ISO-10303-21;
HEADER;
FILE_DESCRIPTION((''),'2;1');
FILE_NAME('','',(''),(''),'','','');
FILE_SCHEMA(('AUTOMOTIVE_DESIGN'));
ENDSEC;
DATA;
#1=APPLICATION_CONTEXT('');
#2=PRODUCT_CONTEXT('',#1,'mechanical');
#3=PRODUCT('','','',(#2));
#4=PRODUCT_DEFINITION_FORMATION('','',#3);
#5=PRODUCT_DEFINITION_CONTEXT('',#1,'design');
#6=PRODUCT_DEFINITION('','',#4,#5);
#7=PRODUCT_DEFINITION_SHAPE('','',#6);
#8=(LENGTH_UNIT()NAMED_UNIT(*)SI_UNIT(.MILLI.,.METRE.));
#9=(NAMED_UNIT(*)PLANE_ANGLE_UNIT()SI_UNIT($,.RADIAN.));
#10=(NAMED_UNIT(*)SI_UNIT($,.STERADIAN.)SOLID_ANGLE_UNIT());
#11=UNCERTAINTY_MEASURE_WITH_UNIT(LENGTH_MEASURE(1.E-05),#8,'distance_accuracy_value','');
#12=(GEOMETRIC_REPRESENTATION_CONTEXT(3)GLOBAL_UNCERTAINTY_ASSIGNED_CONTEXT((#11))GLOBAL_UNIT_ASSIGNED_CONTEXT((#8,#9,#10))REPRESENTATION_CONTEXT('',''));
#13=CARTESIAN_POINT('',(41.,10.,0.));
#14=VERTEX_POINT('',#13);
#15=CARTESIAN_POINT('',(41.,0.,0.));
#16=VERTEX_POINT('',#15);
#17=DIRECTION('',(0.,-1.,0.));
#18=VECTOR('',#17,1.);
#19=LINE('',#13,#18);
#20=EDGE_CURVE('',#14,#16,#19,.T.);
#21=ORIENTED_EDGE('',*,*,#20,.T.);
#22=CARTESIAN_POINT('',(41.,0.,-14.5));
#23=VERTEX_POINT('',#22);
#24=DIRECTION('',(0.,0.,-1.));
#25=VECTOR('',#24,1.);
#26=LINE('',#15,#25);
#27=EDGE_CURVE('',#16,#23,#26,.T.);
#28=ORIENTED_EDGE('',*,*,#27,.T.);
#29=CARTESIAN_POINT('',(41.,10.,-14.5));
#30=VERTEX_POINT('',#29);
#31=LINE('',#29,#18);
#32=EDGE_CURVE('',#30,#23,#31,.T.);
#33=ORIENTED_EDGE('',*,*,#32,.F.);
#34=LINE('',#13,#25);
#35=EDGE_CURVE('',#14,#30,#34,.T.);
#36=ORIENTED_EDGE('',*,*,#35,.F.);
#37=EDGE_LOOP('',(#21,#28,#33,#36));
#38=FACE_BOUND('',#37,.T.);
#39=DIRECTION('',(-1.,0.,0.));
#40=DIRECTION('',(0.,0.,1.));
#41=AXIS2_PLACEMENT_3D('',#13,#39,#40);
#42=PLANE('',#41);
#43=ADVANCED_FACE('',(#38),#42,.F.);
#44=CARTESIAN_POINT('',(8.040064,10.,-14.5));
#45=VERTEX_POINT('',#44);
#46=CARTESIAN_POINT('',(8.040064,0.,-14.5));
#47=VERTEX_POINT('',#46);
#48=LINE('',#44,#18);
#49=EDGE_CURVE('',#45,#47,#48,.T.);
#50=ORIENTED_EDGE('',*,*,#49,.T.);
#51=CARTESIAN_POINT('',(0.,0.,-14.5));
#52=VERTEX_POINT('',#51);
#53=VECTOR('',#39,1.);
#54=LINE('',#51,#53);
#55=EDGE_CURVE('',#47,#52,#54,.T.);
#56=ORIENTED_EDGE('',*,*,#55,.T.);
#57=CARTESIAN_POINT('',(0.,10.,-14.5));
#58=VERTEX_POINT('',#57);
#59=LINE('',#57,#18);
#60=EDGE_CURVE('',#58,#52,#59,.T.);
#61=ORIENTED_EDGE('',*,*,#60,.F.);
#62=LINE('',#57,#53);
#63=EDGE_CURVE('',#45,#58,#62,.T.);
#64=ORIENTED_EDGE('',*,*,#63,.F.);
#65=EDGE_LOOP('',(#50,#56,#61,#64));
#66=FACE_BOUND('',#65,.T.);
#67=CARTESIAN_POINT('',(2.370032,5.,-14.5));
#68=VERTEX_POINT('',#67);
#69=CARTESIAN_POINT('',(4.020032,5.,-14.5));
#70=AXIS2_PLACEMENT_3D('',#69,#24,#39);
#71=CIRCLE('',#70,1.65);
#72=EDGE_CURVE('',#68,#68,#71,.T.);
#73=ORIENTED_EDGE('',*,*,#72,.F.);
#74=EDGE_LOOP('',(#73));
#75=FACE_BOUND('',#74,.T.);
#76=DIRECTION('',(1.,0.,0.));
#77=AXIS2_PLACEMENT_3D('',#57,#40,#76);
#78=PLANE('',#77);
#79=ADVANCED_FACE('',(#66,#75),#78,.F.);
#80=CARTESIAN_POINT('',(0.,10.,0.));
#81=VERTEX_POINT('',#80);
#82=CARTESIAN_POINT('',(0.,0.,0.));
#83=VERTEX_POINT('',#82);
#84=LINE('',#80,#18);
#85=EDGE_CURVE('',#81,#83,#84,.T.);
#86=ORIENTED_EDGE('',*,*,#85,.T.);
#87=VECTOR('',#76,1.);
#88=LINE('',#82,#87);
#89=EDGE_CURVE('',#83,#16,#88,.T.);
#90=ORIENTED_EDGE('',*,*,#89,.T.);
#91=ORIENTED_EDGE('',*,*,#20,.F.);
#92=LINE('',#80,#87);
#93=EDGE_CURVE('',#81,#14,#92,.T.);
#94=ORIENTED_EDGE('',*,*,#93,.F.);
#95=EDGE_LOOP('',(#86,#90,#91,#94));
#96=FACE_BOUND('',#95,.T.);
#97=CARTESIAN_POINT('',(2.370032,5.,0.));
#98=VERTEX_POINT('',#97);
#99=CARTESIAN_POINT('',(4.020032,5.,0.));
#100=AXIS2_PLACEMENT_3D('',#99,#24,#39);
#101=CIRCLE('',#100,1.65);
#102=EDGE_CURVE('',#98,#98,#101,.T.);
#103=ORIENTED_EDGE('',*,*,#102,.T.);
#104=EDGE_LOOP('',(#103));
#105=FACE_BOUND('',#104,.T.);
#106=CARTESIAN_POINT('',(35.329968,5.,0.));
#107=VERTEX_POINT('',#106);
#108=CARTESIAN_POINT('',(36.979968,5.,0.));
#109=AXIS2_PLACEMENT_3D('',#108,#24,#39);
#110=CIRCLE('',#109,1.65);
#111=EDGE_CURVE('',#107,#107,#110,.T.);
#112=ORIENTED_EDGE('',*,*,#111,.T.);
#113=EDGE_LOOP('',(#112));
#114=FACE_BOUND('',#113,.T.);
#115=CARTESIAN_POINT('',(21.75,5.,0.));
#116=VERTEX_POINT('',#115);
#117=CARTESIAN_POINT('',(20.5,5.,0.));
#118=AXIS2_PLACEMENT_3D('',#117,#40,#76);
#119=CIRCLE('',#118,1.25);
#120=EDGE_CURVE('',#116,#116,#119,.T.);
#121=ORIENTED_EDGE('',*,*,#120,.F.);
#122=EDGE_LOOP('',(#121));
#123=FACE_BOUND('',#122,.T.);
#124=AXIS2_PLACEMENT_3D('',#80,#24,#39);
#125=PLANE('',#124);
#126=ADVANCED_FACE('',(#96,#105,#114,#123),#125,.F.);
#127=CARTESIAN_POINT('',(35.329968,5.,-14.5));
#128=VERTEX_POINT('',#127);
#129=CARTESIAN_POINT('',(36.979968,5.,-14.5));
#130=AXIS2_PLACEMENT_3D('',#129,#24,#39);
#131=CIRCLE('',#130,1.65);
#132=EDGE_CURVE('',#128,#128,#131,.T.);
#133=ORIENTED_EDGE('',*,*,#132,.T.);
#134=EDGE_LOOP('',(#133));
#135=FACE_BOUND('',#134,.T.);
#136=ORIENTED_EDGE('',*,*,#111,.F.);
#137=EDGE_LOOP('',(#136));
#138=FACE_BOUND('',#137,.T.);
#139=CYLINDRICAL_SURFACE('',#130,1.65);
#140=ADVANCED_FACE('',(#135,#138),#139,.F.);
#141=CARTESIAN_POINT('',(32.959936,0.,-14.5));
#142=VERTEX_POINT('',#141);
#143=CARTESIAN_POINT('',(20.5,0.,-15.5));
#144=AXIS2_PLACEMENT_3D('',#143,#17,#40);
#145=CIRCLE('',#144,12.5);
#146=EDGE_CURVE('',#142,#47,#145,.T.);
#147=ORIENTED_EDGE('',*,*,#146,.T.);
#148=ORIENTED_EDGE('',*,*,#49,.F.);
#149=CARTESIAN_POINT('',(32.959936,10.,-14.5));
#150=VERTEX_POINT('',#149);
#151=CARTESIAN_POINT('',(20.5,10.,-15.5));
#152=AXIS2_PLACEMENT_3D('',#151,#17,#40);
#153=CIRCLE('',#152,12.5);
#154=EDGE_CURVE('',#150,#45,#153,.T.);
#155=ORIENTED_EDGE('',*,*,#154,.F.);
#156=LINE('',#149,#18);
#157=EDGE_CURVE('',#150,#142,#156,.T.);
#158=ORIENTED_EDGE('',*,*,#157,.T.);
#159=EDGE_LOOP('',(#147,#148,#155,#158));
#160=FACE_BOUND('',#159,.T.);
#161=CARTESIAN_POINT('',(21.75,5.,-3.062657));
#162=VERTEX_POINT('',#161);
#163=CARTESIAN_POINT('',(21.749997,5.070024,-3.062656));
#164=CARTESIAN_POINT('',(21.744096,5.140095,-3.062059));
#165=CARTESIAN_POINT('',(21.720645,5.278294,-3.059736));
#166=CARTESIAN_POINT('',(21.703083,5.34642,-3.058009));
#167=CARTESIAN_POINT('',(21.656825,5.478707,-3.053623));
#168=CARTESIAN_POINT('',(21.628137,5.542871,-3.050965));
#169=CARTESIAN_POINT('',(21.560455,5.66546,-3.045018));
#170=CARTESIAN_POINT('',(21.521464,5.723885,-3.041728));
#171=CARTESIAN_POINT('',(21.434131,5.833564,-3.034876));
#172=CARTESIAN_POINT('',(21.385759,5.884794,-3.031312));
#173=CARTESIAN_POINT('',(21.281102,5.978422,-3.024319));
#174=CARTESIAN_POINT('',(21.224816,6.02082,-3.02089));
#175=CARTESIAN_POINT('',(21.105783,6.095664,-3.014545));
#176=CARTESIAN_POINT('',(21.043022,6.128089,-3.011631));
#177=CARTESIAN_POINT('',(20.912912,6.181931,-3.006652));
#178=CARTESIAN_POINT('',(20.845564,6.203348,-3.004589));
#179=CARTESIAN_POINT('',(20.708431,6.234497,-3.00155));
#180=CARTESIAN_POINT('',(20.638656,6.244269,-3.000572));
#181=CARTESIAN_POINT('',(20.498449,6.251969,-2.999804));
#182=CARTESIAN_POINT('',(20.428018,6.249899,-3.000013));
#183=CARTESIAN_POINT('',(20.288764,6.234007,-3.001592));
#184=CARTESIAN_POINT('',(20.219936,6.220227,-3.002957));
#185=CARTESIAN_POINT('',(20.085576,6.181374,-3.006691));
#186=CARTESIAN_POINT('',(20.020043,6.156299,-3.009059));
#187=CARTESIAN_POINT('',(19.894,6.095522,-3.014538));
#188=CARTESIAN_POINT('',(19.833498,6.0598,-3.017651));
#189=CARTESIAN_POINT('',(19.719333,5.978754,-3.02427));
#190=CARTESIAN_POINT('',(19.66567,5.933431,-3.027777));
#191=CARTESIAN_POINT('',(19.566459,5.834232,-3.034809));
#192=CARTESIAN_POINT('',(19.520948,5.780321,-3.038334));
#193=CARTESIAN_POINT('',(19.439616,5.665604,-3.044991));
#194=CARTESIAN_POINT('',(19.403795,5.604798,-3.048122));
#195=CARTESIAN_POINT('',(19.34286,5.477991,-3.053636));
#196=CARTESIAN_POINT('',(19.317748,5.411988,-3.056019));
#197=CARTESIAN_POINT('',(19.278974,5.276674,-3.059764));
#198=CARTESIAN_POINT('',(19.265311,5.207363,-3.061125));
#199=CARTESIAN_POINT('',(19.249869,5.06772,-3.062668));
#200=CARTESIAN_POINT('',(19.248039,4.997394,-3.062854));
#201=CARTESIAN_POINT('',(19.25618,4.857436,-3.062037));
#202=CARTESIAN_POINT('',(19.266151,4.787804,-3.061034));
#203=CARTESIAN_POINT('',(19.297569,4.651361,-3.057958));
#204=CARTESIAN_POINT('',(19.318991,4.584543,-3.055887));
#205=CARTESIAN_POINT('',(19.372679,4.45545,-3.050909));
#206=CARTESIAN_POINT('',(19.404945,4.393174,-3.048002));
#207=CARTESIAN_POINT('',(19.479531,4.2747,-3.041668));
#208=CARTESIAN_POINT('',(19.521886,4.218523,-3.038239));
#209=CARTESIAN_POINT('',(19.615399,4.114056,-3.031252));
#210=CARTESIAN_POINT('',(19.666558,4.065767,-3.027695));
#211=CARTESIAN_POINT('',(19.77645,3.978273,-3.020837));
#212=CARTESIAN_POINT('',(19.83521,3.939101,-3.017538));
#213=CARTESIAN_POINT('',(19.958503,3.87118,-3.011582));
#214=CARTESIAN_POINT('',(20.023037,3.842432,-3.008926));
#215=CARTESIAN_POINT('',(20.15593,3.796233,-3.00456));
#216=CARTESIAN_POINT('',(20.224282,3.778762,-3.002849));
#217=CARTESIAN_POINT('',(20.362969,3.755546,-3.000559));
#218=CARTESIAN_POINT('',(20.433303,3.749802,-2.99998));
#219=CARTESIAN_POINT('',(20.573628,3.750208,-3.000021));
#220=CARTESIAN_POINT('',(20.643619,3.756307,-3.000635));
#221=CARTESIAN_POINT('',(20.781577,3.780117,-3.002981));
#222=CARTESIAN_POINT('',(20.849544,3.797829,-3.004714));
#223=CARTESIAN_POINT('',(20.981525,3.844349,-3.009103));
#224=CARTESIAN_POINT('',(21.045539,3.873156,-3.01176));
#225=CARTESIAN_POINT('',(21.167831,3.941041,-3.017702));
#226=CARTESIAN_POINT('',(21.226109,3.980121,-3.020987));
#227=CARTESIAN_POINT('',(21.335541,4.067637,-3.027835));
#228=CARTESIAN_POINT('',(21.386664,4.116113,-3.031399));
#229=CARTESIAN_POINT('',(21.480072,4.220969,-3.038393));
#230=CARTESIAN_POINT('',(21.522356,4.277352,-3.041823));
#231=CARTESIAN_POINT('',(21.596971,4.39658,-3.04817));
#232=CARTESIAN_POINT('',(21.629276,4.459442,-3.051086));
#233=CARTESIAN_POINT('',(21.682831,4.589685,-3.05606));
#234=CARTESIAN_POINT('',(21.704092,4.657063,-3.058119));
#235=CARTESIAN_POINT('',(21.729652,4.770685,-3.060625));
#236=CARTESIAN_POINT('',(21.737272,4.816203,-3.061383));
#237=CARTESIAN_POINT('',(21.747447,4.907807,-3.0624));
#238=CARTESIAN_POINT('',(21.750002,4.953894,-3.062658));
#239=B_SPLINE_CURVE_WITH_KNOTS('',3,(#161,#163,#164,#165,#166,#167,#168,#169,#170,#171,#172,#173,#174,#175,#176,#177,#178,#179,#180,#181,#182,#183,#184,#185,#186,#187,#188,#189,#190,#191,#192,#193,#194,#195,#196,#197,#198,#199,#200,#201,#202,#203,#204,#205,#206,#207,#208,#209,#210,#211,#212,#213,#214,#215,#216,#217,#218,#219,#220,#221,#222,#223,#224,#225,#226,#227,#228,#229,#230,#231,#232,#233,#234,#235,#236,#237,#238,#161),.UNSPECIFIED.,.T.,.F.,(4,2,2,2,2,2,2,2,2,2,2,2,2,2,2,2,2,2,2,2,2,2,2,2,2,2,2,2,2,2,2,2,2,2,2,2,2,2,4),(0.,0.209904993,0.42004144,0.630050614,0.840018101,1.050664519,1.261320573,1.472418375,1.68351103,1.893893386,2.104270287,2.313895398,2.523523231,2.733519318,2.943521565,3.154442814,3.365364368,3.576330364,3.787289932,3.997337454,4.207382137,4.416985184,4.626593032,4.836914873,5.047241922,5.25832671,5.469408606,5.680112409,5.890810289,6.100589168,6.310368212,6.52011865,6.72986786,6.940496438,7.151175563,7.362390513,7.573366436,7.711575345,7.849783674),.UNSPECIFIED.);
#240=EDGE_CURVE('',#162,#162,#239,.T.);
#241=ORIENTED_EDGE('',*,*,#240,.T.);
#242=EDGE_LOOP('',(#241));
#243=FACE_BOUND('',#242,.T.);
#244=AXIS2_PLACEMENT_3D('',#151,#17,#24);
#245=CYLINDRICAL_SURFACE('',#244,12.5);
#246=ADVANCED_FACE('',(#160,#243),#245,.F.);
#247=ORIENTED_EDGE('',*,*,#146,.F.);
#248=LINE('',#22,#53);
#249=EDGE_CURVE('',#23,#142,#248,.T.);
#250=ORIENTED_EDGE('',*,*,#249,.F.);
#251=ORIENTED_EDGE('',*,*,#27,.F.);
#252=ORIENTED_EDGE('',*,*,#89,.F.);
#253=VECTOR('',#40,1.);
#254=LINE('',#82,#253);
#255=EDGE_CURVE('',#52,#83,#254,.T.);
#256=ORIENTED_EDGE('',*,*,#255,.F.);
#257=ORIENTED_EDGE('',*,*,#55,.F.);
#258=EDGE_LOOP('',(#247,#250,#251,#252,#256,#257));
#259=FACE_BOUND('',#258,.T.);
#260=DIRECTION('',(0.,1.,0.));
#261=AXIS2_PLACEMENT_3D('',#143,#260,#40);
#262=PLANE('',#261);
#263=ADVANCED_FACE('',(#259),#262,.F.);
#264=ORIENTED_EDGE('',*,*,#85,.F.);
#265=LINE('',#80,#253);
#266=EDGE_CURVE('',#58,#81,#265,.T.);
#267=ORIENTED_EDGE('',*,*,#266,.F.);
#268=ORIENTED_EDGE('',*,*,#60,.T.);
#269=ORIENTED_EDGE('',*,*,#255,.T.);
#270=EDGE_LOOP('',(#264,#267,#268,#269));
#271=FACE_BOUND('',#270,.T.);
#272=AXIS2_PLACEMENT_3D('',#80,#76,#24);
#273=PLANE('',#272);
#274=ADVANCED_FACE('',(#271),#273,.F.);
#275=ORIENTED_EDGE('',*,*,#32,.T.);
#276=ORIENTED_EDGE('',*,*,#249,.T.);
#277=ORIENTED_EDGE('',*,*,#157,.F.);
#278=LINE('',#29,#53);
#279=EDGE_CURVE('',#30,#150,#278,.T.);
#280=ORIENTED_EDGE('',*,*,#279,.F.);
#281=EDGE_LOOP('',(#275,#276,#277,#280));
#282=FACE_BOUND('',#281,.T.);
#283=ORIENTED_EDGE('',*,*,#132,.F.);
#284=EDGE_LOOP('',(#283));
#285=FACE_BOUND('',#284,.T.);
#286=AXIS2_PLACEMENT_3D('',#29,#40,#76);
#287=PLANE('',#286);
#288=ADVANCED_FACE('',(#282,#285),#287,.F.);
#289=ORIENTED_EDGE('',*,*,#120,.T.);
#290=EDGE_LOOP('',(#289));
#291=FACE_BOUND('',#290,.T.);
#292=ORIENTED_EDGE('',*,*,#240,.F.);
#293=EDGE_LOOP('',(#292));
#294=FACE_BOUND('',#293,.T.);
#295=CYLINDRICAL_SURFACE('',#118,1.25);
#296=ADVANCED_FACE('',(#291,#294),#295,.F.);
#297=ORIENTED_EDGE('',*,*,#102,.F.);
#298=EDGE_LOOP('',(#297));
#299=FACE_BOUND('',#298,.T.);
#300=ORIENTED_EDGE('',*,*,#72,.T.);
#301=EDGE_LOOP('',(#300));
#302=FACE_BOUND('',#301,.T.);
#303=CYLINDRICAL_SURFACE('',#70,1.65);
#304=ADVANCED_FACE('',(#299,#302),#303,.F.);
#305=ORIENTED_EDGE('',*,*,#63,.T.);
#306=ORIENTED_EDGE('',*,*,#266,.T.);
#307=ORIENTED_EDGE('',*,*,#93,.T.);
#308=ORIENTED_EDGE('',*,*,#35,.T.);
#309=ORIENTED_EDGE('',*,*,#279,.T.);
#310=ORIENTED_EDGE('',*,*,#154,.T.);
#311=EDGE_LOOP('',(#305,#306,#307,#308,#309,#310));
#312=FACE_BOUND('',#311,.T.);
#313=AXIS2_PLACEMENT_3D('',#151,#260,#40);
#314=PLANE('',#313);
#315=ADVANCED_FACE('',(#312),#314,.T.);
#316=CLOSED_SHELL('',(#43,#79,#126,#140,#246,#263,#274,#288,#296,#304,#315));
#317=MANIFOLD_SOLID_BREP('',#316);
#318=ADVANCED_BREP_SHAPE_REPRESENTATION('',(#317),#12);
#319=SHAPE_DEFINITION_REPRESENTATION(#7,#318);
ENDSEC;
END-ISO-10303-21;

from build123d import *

# Parameters (mm, degrees)
EXTRUDE_1_DEPTH = 10
M4X0_71_D       = 3.3
M3X0_51_D       = 2.5


with BuildPart() as part:
    # Эскиз1 → Бобышка-Вытянуть1 (new body)
    with BuildSketch(Plane(origin=(0, 0, 0), x_dir=(1, 0, 0), z_dir=(0, 1, 0))):
        with BuildLine():
            Line((0, 0), (41, 0))
            Line((41, 0), (41, 14.5))
            Line((41, 14.5), (32.959935794, 14.5))
            ThreePointArc((32.959935794, 14.5), (20.5, 3), (8.040064206, 14.5))
            Line((8.040064206, 14.5), (0, 14.5))
            Line((0, 14.5), (0, 0))
        make_face()
    extrude(amount=EXTRUDE_1_DEPTH)

    # Отверстие обработанное метчиком M4x0.71 (through all)
    with Locations(Plane(origin=(0, 0, -14.5), x_dir=(-1, 0, 0), z_dir=(0, 0, -1))):
        with Locations((-36.979967897, 5), (-4.020032103, 5)):
            Hole(M4X0_71_D / 2)

    # Отверстие обработанное метчиком M3x0.51 (through all)
    with Locations(Plane.XY):
        with Locations((20.5, 5)):
            Hole(M3X0_51_D / 2)


solid = part.part
